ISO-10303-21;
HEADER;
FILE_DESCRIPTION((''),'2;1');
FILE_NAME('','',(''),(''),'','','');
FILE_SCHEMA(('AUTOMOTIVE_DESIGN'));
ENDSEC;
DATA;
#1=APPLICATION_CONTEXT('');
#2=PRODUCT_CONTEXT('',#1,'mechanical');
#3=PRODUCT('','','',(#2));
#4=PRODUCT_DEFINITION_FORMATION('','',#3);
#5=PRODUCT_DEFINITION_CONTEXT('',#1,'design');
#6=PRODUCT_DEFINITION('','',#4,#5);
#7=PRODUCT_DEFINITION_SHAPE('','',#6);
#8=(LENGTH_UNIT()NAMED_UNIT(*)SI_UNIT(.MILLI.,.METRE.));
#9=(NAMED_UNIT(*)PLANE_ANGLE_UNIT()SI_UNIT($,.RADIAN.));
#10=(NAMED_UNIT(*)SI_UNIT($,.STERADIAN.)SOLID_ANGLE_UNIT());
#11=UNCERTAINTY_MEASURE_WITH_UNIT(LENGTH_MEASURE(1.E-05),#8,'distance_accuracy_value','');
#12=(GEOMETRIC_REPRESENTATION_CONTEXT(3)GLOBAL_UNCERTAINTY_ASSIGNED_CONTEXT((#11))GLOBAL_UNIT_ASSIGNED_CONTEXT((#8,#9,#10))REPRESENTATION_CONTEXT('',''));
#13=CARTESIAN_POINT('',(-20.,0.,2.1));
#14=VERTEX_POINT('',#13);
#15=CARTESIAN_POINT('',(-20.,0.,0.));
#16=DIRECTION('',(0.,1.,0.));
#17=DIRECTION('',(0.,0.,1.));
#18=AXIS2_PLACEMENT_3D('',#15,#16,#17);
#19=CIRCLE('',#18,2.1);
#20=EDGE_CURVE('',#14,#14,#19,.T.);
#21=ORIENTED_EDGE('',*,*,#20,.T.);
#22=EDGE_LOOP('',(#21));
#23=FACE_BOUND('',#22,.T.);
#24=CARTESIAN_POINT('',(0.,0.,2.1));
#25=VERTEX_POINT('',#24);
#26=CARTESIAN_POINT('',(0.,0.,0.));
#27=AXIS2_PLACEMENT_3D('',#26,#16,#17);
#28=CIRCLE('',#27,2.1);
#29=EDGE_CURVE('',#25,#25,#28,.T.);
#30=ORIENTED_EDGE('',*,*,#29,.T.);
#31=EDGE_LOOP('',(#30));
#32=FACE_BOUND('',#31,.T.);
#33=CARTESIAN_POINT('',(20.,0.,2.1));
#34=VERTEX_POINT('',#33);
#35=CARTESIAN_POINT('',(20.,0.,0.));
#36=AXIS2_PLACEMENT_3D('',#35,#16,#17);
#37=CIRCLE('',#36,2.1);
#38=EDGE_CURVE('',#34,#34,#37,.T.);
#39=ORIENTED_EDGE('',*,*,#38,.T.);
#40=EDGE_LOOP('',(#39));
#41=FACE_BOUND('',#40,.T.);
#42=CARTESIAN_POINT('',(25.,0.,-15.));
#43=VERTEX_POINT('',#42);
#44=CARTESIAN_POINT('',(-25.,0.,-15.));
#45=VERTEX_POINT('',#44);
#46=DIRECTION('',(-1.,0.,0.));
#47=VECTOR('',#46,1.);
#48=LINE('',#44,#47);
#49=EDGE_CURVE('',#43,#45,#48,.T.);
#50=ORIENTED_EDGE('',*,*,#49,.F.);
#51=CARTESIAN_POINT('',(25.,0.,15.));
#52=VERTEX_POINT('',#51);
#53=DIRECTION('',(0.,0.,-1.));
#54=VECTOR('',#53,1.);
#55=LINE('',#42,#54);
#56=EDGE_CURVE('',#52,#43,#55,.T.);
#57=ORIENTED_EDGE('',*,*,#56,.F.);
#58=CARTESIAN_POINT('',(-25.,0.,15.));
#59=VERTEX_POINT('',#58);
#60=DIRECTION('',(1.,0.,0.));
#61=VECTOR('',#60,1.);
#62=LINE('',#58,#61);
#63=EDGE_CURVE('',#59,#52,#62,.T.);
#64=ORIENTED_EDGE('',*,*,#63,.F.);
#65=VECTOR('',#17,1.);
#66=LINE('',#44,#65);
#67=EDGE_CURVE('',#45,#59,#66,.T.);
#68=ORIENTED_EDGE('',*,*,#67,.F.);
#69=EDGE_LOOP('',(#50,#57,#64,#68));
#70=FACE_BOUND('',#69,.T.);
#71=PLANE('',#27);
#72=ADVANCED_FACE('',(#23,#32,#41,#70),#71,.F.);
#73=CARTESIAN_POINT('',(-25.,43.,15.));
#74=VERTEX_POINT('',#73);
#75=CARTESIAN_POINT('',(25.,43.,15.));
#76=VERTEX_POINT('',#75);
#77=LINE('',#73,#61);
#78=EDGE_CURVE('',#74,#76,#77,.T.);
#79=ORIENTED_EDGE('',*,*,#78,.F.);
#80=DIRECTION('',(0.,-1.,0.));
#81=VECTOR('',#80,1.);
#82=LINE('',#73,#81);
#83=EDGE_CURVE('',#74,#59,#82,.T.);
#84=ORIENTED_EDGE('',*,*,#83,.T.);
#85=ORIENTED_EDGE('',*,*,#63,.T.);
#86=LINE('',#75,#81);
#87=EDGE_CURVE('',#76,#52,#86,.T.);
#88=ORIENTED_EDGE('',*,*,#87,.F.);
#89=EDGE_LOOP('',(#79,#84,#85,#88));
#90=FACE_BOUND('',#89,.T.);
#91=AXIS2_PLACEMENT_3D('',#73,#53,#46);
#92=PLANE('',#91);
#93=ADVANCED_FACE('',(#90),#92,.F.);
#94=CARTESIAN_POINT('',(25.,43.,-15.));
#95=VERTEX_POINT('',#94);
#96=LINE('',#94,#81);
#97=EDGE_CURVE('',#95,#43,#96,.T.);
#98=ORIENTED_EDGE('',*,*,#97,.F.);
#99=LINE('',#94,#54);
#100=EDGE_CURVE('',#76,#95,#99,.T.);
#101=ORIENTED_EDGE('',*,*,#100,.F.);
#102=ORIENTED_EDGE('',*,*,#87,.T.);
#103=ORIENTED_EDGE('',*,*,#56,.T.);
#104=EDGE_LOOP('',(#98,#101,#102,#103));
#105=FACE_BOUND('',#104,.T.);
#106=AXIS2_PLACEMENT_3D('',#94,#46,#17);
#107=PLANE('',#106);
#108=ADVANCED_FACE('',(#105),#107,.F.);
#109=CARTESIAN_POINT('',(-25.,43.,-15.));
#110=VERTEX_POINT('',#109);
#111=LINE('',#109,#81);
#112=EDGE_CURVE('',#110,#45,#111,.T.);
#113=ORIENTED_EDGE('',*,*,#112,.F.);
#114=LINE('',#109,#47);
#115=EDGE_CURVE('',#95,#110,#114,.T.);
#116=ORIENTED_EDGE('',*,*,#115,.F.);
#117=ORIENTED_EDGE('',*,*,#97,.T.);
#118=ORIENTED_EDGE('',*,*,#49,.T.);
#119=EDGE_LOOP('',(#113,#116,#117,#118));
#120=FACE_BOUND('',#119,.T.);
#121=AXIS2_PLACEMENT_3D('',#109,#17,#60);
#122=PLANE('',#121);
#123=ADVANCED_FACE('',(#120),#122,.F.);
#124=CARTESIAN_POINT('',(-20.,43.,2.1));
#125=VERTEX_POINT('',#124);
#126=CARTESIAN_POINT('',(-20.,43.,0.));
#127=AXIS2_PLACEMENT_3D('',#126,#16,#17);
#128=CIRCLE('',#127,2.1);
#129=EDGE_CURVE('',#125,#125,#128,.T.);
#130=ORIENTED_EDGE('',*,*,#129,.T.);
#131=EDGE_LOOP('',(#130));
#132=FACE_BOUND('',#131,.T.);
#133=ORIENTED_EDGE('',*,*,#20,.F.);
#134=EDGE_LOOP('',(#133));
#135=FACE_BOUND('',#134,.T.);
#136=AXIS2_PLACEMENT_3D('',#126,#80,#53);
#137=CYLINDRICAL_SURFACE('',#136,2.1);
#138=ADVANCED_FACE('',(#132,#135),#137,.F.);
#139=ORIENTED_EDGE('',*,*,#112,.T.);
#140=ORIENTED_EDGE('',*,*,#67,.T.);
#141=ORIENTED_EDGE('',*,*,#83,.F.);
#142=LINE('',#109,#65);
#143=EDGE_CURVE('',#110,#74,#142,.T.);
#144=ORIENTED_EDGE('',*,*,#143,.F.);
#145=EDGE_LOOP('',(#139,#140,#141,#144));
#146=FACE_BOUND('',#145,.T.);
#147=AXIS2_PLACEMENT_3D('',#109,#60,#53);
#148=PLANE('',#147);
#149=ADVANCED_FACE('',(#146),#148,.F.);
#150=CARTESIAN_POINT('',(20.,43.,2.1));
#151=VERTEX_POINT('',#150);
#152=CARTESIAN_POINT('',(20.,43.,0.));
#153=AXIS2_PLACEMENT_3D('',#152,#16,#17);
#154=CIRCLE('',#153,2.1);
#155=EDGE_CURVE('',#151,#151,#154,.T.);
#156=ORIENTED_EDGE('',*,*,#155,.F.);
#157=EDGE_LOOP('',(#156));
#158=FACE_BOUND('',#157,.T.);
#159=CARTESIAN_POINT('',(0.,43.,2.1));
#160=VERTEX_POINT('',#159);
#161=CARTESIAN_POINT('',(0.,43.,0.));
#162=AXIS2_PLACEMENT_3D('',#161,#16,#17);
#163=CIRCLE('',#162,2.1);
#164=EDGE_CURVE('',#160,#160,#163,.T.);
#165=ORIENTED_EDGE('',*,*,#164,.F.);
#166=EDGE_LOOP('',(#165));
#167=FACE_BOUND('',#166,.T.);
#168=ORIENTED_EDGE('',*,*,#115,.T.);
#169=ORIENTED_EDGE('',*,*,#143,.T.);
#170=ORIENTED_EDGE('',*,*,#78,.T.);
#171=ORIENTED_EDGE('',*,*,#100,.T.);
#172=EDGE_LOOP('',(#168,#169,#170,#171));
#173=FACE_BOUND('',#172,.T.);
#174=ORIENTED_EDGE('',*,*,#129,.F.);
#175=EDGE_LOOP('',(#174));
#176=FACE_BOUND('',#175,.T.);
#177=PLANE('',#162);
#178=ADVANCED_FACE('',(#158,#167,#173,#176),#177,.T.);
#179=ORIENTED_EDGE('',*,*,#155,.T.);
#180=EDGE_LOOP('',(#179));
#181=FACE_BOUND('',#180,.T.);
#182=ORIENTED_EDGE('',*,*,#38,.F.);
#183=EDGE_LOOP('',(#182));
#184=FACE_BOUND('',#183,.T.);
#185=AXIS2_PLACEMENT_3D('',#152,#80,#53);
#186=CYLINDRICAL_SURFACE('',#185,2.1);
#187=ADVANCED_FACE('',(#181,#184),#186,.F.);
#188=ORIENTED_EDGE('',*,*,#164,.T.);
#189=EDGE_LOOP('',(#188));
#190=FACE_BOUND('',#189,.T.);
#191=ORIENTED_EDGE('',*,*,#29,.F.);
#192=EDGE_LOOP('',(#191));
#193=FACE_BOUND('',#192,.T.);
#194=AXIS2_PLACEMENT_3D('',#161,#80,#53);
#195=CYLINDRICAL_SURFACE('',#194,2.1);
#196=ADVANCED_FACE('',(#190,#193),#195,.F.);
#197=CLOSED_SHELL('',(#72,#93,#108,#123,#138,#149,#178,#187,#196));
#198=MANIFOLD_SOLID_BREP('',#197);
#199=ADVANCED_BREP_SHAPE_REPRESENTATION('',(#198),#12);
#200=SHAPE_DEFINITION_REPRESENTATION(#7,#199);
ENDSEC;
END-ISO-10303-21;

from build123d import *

# Parameters (mm, degrees)
SKETCH1_W           = 50
SKETCH1_H           = 30
SKETCH1_R           = 2.1
BOSS_EXTRUDE1_DEPTH = 43


with BuildPart() as part:
    # Sketch1 → Boss-Extrude1 (new body)
    with BuildSketch(Plane(origin=(0, 0, 0), x_dir=(1, 0, 0), z_dir=(0, 1, 0))):
        Rectangle(SKETCH1_W, SKETCH1_H)
        with Locations(Location((-20, 0, 0), (0, 0, 270))):
            Circle(SKETCH1_R, mode=Mode.SUBTRACT)
        with Locations(Location((0, 0, 0), (0, 0, 270))):
            Circle(SKETCH1_R, mode=Mode.SUBTRACT)
        with Locations(Location((20, 0, 0), (0, 0, 270))):
            Circle(SKETCH1_R, mode=Mode.SUBTRACT)
    extrude(amount=BOSS_EXTRUDE1_DEPTH)


solid = part.part
